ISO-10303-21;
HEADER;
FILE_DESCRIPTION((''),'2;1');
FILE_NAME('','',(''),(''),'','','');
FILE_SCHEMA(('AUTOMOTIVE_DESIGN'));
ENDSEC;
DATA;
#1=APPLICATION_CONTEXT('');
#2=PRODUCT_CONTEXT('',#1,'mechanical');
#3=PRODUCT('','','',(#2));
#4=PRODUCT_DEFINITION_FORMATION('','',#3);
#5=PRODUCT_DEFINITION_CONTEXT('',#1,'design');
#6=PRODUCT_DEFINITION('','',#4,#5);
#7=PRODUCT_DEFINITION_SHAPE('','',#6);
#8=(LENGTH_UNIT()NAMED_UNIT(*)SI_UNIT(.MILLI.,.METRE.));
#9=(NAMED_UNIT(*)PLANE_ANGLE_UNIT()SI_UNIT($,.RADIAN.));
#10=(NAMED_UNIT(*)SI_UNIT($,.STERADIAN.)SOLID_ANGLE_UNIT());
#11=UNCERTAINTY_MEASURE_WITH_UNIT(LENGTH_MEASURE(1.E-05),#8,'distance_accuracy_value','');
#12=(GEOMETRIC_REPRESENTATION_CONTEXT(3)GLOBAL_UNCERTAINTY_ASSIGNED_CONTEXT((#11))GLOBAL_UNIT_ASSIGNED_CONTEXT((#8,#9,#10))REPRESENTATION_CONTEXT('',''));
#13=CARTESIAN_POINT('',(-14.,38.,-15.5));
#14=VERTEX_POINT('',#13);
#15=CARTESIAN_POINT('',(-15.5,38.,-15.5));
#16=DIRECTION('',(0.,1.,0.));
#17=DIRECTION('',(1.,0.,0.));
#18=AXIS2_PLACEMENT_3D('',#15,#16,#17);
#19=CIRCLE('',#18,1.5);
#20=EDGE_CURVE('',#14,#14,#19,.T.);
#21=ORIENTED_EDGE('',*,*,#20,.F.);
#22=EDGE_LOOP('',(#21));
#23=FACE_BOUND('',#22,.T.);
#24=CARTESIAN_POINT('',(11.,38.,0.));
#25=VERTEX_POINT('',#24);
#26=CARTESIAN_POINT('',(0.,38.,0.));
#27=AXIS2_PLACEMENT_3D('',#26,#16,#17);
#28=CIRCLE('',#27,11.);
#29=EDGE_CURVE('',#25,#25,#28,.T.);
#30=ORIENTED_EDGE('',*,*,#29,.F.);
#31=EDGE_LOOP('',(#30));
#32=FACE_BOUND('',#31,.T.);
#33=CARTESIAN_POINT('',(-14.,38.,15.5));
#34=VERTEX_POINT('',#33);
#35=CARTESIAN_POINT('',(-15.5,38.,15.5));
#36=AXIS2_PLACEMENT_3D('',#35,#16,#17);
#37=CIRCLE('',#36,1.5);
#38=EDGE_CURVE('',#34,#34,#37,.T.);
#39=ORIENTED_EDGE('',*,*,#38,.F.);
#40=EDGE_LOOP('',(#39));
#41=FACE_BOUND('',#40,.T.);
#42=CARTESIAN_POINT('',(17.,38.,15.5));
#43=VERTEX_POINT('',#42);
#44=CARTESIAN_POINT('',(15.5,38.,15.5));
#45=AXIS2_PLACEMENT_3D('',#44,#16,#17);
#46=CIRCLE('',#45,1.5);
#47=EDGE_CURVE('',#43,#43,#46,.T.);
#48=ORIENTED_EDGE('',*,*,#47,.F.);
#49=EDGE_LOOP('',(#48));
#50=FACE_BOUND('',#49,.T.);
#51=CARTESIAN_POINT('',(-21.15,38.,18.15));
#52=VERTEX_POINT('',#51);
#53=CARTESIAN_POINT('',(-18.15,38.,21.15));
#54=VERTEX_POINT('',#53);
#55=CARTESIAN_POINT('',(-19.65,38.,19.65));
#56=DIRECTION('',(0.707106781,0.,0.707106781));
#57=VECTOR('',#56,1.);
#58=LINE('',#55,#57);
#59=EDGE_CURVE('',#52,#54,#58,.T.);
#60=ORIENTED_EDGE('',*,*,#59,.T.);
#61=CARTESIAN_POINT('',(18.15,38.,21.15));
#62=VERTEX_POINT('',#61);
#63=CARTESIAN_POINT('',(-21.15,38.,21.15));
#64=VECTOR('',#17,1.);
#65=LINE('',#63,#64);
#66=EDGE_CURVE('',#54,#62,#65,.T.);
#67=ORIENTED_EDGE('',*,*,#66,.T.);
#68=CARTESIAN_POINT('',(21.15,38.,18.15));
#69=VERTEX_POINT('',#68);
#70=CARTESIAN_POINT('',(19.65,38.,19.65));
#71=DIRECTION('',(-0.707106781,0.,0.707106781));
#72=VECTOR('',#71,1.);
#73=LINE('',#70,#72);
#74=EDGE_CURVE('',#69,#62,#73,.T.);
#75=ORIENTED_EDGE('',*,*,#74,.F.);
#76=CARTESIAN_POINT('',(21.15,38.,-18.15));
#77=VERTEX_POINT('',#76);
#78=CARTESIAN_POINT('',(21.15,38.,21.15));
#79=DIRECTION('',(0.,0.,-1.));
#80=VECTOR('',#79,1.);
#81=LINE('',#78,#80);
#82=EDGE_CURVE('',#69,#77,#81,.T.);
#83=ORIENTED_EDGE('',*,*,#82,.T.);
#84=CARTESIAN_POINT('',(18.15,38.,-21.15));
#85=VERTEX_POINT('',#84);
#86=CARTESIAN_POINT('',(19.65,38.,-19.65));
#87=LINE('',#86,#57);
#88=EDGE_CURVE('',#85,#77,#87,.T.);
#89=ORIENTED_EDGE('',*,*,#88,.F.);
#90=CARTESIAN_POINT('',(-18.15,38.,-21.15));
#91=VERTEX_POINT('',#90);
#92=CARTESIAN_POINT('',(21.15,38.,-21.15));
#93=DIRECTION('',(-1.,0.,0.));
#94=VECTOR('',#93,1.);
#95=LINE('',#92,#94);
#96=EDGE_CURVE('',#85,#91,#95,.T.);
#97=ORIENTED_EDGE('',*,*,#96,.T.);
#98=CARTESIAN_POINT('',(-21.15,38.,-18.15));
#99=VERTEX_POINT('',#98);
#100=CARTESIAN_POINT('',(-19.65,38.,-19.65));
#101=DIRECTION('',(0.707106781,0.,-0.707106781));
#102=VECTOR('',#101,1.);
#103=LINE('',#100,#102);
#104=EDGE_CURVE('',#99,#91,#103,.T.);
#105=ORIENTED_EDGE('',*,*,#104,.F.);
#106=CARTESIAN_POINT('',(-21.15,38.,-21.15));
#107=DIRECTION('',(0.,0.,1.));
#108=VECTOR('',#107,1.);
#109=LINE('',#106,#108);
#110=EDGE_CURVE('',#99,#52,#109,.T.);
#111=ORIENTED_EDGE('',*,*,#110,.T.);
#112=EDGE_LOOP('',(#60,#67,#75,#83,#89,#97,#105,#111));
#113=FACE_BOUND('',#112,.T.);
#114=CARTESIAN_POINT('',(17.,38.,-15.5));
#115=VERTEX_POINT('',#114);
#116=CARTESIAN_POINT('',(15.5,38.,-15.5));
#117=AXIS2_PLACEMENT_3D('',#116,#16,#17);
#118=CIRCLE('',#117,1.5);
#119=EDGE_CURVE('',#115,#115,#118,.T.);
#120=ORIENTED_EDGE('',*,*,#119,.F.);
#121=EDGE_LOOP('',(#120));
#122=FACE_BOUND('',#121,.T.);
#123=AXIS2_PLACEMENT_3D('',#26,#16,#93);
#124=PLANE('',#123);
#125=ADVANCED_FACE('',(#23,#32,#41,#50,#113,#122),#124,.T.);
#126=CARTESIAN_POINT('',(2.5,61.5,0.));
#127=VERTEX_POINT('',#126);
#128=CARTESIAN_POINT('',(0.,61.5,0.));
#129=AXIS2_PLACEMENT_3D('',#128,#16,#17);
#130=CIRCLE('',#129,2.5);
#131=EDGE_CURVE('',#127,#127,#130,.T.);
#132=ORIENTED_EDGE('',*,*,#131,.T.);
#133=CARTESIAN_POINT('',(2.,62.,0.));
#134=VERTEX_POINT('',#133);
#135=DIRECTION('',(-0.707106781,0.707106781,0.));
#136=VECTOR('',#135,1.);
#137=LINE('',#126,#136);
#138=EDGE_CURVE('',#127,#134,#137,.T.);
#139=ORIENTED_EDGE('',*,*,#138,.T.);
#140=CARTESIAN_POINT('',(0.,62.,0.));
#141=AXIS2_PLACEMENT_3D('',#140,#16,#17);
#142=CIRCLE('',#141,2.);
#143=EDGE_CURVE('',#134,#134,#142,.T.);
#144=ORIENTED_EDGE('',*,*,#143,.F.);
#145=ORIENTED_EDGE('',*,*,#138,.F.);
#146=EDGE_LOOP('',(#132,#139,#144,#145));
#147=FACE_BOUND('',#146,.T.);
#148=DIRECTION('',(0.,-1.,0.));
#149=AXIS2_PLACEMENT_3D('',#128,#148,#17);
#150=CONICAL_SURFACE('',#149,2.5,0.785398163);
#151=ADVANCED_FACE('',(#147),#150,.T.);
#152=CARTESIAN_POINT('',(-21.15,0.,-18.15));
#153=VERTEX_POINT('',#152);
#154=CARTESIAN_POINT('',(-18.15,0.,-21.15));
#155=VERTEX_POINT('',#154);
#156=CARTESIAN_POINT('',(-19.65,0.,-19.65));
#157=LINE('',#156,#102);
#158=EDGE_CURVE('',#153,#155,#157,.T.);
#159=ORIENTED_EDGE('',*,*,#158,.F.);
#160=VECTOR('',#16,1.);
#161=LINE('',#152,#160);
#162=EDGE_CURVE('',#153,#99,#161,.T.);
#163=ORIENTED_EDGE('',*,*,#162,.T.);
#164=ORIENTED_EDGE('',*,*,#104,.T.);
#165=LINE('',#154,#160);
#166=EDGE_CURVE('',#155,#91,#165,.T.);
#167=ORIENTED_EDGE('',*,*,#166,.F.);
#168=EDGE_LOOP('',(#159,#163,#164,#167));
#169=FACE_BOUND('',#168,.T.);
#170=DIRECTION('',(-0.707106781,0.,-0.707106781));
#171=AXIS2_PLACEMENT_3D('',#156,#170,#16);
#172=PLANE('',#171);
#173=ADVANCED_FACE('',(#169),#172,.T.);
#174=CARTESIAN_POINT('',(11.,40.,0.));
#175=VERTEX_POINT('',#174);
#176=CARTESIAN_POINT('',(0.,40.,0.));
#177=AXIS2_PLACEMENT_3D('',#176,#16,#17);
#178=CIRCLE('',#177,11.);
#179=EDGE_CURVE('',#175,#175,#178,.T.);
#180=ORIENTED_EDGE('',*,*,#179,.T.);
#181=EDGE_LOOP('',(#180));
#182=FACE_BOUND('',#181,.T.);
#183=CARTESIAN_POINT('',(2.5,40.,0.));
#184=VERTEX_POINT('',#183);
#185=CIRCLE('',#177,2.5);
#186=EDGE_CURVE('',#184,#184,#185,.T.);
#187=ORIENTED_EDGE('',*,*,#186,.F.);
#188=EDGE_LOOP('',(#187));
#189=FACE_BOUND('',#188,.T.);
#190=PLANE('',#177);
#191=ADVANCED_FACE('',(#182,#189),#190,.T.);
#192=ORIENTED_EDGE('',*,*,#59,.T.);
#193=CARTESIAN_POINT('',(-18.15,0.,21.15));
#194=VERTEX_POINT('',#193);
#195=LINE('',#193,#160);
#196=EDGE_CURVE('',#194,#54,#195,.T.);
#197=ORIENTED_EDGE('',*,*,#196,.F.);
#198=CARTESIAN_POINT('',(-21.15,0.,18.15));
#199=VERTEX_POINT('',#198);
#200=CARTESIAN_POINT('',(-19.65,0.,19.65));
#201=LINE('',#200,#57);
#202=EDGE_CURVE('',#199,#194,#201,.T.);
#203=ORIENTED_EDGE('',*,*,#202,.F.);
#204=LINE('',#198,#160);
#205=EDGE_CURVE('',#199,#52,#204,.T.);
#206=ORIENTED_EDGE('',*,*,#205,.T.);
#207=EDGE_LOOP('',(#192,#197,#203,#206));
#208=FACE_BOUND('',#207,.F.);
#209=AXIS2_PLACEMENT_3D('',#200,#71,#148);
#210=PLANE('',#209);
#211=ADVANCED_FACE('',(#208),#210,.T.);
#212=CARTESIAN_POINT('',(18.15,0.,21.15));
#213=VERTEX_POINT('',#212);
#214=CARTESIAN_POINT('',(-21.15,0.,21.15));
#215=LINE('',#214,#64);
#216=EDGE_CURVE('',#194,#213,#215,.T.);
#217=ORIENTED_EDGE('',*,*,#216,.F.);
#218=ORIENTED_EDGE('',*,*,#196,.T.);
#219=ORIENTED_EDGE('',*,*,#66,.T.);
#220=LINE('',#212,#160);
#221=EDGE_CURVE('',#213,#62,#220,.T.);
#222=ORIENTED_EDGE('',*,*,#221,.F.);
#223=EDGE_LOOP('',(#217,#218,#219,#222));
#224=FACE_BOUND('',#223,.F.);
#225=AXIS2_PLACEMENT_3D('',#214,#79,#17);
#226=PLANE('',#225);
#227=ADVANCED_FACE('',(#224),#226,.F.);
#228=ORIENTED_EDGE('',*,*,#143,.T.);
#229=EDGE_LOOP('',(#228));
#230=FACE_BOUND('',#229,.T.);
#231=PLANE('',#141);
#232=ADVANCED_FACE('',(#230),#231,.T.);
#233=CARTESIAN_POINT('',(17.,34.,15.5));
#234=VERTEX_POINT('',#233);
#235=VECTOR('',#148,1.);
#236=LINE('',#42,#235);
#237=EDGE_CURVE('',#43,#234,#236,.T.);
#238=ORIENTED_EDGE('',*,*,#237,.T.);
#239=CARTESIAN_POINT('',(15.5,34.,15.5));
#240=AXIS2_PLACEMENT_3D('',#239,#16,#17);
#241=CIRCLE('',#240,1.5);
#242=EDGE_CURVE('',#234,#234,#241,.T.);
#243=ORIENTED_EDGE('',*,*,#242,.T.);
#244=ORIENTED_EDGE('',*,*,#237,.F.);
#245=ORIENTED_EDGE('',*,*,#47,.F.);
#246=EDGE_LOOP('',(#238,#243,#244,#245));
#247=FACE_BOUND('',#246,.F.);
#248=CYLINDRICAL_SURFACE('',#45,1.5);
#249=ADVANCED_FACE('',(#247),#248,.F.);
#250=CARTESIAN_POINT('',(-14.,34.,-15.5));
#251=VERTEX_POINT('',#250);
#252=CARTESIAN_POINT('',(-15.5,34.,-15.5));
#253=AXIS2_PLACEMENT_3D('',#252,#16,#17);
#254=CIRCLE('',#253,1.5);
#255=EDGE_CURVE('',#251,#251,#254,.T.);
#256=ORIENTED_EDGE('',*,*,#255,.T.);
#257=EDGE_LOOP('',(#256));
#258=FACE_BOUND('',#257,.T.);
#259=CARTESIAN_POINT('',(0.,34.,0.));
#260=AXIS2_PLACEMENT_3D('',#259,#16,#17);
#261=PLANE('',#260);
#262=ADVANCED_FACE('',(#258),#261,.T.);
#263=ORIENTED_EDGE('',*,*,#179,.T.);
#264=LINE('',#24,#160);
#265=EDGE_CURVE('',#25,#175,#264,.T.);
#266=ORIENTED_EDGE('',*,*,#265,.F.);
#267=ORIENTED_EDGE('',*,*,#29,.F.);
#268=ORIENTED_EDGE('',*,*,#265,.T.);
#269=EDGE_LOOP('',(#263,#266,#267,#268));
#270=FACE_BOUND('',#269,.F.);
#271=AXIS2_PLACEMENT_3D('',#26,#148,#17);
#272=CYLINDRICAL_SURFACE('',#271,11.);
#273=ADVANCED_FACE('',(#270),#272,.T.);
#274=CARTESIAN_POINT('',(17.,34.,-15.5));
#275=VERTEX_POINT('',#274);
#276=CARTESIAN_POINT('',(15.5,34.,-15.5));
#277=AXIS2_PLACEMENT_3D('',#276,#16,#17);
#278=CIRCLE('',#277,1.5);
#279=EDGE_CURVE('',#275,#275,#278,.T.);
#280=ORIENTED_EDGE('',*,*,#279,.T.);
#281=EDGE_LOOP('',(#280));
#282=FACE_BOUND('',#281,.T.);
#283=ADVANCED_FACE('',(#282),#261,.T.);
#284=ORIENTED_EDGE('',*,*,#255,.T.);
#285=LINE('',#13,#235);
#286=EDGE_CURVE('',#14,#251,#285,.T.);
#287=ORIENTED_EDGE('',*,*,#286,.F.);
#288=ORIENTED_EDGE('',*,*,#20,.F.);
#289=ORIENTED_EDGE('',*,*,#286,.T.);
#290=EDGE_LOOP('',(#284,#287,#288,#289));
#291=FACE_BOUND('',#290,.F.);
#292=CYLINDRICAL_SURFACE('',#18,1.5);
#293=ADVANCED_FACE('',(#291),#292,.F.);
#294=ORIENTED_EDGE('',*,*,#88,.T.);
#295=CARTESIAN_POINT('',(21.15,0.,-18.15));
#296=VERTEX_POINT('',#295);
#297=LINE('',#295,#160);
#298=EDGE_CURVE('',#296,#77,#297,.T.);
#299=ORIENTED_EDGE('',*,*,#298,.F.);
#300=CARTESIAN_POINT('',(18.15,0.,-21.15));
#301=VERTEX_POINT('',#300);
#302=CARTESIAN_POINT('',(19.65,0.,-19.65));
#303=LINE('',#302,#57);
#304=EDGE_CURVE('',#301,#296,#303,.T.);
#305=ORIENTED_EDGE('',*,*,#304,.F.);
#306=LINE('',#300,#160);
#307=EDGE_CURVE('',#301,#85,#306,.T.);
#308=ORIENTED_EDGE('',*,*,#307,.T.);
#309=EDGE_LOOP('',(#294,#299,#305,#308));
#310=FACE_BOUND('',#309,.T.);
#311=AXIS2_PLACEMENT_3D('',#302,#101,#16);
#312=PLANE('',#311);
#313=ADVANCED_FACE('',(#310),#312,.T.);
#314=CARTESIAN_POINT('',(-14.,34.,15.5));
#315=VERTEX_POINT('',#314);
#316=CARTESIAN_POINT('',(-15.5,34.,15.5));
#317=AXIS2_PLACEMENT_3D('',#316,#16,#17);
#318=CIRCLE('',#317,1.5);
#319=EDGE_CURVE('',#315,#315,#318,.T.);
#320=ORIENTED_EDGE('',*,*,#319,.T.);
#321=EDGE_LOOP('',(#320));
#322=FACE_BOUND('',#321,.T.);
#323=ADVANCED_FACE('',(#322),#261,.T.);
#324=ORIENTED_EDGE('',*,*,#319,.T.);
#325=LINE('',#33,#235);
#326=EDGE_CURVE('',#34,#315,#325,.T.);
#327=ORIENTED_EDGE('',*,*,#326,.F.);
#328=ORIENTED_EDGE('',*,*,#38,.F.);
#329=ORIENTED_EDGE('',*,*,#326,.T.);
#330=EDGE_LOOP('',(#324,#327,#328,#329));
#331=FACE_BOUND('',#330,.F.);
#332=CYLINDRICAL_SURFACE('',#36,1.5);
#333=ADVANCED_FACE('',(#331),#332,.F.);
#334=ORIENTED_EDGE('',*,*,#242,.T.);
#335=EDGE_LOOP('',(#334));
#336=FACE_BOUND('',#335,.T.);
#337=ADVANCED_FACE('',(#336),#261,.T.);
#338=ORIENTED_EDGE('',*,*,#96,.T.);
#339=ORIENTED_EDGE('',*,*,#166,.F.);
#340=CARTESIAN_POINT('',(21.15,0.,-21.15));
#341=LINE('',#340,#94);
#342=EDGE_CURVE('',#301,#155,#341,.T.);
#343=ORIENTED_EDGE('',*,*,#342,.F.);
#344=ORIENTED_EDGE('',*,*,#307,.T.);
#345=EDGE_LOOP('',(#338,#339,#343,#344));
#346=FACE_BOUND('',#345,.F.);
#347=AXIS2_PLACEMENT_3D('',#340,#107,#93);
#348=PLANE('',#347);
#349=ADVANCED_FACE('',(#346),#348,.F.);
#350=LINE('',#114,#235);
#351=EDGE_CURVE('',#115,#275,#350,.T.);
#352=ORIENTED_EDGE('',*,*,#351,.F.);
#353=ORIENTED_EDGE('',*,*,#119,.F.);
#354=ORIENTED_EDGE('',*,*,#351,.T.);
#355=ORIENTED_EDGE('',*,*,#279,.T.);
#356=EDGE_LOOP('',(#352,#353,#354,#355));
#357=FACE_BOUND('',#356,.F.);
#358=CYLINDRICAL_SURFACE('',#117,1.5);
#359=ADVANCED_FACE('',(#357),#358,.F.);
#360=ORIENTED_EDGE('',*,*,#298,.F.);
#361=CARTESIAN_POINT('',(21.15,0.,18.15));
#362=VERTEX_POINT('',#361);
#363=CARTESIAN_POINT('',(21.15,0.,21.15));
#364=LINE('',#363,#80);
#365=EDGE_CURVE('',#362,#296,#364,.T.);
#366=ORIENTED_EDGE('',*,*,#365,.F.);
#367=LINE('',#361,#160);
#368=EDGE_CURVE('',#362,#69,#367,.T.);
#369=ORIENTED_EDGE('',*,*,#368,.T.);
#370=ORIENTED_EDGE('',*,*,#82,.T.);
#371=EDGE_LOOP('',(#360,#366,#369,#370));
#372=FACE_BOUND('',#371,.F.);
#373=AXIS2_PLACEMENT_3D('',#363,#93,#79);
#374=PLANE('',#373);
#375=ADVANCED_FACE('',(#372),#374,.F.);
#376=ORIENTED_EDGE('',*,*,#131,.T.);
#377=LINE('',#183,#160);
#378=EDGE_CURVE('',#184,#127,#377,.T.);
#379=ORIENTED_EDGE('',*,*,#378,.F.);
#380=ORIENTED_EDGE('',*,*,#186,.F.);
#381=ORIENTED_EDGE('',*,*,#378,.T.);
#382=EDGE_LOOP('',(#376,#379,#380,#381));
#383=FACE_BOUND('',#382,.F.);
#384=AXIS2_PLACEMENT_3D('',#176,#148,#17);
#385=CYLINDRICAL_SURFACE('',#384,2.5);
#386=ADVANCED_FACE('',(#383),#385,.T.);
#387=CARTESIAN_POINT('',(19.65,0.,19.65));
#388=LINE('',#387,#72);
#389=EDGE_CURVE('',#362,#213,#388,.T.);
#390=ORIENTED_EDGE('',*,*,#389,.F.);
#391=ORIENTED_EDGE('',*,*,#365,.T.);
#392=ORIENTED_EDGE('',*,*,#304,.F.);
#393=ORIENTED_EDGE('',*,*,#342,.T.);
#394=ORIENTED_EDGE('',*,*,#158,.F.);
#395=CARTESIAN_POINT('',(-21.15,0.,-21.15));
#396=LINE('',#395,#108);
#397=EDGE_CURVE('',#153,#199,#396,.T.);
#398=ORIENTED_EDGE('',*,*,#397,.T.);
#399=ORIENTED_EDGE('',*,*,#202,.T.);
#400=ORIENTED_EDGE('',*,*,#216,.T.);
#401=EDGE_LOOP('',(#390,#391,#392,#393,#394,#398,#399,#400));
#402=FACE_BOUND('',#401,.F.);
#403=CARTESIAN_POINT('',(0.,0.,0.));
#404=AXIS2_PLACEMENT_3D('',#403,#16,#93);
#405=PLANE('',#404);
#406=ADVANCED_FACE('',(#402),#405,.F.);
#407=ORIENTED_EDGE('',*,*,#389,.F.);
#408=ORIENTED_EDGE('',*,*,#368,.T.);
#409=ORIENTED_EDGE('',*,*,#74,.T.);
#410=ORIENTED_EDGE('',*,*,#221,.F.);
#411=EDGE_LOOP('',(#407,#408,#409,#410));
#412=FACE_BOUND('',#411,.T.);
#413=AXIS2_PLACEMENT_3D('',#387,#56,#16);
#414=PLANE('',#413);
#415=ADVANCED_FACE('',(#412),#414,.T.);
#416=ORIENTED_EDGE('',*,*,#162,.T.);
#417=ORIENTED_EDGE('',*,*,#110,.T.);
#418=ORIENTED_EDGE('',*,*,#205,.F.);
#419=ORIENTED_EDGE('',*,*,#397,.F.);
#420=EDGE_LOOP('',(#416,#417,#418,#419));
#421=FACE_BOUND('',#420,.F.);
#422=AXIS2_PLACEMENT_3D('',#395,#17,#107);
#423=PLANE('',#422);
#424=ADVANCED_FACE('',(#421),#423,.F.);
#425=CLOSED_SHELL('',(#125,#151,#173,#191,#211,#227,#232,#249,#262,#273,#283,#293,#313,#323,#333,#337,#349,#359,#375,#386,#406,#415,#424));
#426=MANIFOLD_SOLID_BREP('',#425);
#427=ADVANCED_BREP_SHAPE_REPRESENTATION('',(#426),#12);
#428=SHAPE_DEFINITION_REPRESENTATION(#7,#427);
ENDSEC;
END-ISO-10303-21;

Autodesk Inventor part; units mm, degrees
ref_plane "YZ Plane" through (0, 0, 0) normal (1, 0, 0) x (0, 1, 0)
ref_plane "XZ Plane" through (0, 0, 0) normal (0, 1, 0) x (-1, 0, 0)
ref_plane "XY Plane" through (0, 0, 0) normal (0, 0, 1) x (1, 0, 0)
sketch "Sketch1" plane through (0, 0, 0) normal (0, 1, 0) x (-1, 0, 0)
  line L0 (21.15, 21.15) -> (-21.15, 21.15)
  line L1 (-21.15, 21.15) -> (-21.15, -21.15)
  line L2 (-21.15, -21.15) -> (21.15, -21.15)
  line L3 (21.15, -21.15) -> (21.15, 21.15)
  point P0 (0, 0)
  point P1 (21.15, 0)
  point P2 (0, -21.15)
  dimension "d0" = 42.3
  dimension "d1" = 42.3
extrude "Extrusion1" add sketch "Sketch1" along normal blind 38
chamfer "Chamfer1" distance 3 angle 45 4 edges at (21.15, 19, 21.15) (21.15, 19, -21.15) (-21.15, 19, -21.15) (-21.15, 19, 21.15)
sketch "Sketch2" plane through (0, 38, 0) normal (0, 1, 0) x (1, 0, 0)
  circle A0 centre (0, 0) radius 11
  dimension "d7" = 22
extrude "Extrusion2" add sketch "Sketch2" along normal blind 2
sketch "Sketch3" plane through (0, 40, 0) normal (0, 1, 0) x (1, 0, 0)
  circle A0 centre (0, 0) radius 2.5
  dimension "d10" = 5
extrude "Extrusion3" add sketch "Sketch3" along normal blind 22
chamfer "Chamfer2" distance 0.5 angle 45 1 edges at (-2.5, 62, 0)
sketch "Sketch4" plane through (0, 38, 0) normal (0, 1, 0) x (1, 0, 0)
  circle A0 centre (15.5, 15.5) radius 1.5
  circle A1 centre (15.5, -15.5) radius 1.5
  circle A2 centre (-15.5, -15.5) radius 1.5
  circle A3 centre (-15.5, 15.5) radius 1.5
  line L0 (21.15, -18.15) -> (21.15, 18.15) projected
  line L1 (18.15, 21.15) -> (-18.15, 21.15) projected
  line L2 (-21.15, 18.15) -> (-21.15, -18.15) projected
  line L3 (-18.15, -21.15) -> (18.15, -21.15) projected
  point P0 (0, 0)
  dimension "d16" = 3
  dimension "d17" = 3
  dimension "d18" = 3
  dimension "d19" = 3
  dimension "d20" = 5.65
  dimension "d21" = 5.65
  dimension "d24" = 5.65
  dimension "d25" = 5.65
extrude "Extrusion4" cut sketch "Sketch4" against normal blind 4
properties part number "Stepper Motor"
